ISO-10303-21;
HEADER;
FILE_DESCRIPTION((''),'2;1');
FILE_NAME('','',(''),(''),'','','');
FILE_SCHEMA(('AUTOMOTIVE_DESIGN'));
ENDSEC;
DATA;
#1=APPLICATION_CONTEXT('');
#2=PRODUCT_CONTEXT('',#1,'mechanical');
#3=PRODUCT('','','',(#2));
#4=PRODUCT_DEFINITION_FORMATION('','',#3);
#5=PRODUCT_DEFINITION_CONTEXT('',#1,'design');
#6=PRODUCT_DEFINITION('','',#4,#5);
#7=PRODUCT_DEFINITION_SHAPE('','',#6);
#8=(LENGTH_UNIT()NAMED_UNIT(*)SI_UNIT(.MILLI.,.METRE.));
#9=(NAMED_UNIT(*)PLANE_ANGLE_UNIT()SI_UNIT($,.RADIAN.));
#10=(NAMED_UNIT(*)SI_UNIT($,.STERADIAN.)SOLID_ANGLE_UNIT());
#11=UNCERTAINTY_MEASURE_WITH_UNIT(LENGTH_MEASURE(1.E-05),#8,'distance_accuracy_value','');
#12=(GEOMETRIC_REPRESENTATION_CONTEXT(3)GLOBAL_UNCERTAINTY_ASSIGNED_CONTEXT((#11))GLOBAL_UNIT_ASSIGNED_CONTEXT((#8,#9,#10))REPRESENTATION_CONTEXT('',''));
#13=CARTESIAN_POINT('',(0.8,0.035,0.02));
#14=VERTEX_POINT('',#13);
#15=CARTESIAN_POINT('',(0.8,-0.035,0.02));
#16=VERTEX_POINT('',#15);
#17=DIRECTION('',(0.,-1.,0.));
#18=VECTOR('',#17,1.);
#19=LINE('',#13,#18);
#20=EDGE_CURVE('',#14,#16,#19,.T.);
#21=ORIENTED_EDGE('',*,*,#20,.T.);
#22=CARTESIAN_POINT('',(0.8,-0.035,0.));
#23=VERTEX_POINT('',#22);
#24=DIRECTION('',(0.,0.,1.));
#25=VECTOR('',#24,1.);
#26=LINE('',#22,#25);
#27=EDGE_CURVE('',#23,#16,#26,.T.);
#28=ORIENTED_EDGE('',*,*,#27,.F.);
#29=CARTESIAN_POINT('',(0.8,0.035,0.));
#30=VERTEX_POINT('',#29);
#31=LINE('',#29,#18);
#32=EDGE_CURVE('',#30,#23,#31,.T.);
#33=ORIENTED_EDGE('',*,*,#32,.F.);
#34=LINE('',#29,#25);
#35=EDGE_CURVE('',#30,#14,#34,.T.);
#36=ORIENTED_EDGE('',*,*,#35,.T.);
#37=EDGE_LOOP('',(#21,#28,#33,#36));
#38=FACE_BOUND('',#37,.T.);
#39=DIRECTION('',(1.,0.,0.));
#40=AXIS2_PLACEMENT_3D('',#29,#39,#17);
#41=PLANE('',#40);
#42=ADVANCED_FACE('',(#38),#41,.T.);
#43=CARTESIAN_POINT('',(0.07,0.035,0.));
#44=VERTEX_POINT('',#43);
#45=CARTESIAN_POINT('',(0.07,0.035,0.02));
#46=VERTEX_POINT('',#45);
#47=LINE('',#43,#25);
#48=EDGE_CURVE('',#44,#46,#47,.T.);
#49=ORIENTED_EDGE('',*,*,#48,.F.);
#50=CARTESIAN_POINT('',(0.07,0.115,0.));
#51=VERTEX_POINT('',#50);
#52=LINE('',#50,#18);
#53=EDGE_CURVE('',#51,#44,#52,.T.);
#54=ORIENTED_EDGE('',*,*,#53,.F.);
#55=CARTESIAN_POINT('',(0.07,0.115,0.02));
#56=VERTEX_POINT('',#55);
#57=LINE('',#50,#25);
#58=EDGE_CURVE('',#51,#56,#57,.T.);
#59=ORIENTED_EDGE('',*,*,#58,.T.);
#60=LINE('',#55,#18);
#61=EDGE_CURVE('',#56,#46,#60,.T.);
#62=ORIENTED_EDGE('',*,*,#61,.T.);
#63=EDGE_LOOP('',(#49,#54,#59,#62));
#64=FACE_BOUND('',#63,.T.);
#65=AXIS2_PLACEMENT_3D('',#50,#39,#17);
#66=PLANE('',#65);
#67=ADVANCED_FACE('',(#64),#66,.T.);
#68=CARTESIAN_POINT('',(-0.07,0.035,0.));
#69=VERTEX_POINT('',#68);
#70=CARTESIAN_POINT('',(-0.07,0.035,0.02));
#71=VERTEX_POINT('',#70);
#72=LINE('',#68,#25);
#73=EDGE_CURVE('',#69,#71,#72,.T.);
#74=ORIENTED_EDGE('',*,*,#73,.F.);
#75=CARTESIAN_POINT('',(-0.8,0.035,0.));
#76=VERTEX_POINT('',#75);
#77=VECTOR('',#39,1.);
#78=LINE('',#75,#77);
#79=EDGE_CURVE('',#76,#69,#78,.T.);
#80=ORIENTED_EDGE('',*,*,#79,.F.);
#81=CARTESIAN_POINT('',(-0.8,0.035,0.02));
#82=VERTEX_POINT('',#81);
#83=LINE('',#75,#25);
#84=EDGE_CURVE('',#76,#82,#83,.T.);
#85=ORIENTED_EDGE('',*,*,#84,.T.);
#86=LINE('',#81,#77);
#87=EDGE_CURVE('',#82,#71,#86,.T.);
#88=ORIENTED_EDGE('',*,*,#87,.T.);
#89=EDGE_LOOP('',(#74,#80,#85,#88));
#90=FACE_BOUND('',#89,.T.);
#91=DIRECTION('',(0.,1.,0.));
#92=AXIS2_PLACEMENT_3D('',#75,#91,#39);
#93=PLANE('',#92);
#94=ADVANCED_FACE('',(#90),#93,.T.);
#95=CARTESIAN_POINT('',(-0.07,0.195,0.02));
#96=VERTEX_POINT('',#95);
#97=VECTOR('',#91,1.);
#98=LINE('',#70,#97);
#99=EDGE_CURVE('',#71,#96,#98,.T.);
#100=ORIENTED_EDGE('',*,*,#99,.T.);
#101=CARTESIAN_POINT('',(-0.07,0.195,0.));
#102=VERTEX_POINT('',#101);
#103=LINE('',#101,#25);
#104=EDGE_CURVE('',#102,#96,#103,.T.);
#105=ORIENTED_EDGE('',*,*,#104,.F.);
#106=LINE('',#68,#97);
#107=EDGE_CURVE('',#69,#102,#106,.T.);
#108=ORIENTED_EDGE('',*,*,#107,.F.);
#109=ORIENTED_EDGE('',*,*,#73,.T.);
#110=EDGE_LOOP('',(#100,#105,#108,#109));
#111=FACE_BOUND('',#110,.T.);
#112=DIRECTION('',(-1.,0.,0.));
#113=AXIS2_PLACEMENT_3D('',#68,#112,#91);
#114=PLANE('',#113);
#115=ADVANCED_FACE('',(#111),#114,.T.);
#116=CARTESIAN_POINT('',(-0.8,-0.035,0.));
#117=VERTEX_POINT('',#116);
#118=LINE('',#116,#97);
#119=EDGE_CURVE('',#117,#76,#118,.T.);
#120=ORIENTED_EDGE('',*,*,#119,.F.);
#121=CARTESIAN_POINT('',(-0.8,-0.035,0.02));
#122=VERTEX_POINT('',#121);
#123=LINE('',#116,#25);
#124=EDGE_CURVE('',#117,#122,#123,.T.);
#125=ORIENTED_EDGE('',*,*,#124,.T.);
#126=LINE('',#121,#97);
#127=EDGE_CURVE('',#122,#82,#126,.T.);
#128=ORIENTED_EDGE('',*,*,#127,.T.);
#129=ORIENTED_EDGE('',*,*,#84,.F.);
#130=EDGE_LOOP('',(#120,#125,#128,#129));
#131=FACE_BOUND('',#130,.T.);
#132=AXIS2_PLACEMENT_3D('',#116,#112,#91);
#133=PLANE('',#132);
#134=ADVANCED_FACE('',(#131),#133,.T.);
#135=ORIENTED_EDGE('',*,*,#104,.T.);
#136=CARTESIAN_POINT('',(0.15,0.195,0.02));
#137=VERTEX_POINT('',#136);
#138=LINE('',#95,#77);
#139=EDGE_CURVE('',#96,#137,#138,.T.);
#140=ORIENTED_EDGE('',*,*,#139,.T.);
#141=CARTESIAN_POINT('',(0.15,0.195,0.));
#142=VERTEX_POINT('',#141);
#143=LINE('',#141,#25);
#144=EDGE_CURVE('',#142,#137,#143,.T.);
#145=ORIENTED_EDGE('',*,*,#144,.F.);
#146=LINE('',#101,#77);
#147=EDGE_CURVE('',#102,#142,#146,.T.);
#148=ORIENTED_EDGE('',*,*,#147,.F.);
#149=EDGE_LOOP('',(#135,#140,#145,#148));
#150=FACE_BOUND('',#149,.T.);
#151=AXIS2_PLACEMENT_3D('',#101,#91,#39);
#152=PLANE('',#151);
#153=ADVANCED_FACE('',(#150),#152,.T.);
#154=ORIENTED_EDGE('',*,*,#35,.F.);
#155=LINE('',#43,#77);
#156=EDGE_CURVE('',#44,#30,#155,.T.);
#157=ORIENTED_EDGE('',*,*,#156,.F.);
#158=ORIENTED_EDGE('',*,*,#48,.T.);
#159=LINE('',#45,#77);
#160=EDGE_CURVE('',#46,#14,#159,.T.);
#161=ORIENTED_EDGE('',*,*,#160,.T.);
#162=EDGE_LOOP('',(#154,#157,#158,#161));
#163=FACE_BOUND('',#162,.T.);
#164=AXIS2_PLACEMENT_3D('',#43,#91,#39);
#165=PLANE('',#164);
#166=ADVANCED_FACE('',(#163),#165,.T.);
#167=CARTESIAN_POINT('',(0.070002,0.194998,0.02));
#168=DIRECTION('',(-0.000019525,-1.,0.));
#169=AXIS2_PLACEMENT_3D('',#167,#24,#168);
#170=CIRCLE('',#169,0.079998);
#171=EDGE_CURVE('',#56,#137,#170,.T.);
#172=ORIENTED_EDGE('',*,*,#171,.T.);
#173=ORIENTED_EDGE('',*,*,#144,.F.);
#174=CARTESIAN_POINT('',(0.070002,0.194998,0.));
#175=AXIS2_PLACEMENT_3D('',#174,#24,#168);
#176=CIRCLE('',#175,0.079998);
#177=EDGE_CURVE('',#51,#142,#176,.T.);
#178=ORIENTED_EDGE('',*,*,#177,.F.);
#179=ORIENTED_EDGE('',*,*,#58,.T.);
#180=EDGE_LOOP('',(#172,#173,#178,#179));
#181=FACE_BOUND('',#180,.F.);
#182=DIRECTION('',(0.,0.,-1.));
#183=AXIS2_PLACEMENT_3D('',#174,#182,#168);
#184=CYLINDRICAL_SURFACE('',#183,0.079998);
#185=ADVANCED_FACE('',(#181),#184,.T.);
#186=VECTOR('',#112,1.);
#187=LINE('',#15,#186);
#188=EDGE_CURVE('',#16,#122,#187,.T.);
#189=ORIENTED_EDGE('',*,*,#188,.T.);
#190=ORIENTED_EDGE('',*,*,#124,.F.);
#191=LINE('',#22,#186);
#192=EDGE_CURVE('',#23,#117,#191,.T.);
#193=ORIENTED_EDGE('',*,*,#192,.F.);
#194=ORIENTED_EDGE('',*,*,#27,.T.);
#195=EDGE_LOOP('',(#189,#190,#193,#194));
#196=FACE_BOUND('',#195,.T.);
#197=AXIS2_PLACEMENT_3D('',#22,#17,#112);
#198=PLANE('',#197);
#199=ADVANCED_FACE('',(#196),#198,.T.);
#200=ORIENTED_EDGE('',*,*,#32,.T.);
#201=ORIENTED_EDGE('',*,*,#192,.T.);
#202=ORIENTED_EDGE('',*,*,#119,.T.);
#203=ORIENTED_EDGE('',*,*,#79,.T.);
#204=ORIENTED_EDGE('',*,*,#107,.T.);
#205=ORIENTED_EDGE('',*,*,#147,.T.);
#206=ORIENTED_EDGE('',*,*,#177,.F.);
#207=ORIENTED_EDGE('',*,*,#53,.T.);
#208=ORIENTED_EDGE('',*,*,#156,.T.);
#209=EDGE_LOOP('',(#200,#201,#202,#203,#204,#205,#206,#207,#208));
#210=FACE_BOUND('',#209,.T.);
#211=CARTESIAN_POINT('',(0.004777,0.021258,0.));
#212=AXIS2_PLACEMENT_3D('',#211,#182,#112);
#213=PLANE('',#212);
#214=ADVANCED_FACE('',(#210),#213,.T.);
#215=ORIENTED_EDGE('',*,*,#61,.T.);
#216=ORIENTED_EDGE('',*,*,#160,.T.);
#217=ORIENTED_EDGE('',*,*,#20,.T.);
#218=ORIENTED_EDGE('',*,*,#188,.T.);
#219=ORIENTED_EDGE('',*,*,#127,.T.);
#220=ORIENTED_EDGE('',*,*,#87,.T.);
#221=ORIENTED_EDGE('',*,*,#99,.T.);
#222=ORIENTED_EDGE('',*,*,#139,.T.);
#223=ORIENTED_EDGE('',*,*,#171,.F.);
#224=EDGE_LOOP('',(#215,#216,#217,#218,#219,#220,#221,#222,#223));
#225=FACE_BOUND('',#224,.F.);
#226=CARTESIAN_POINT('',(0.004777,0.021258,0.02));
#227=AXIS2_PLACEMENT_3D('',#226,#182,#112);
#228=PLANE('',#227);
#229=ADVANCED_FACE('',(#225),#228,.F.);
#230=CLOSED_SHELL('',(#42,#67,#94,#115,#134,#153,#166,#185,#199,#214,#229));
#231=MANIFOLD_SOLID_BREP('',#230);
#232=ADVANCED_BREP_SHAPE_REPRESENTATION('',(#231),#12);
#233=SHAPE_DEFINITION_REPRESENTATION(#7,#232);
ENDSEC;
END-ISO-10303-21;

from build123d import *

# Parameters (mm, degrees)
PAD_DEPTH = 0.02


with BuildPart() as part:
    # Sketch → Pad (new body)
    with BuildSketch(Plane.XY):
        with BuildLine():
            Line((0.8, 0.035), (0.8, -0.035))
            Line((0.8, -0.035), (-0.8, -0.035))
            Line((-0.8, -0.035), (-0.8, 0.035))
            Line((-0.8, 0.035), (-0.07, 0.035))
            Line((-0.07, 0.035), (-0.07, 0.195))
            Line((-0.07, 0.195), (0.15, 0.195))
            ThreePointArc((0.07, 0.115), (0.126569, 0.138431), (0.15, 0.195))
            Line((0.07, 0.115), (0.07, 0.035))
            Line((0.07, 0.035), (0.8, 0.035))
        make_face()
    extrude(amount=PAD_DEPTH)


solid = part.part
